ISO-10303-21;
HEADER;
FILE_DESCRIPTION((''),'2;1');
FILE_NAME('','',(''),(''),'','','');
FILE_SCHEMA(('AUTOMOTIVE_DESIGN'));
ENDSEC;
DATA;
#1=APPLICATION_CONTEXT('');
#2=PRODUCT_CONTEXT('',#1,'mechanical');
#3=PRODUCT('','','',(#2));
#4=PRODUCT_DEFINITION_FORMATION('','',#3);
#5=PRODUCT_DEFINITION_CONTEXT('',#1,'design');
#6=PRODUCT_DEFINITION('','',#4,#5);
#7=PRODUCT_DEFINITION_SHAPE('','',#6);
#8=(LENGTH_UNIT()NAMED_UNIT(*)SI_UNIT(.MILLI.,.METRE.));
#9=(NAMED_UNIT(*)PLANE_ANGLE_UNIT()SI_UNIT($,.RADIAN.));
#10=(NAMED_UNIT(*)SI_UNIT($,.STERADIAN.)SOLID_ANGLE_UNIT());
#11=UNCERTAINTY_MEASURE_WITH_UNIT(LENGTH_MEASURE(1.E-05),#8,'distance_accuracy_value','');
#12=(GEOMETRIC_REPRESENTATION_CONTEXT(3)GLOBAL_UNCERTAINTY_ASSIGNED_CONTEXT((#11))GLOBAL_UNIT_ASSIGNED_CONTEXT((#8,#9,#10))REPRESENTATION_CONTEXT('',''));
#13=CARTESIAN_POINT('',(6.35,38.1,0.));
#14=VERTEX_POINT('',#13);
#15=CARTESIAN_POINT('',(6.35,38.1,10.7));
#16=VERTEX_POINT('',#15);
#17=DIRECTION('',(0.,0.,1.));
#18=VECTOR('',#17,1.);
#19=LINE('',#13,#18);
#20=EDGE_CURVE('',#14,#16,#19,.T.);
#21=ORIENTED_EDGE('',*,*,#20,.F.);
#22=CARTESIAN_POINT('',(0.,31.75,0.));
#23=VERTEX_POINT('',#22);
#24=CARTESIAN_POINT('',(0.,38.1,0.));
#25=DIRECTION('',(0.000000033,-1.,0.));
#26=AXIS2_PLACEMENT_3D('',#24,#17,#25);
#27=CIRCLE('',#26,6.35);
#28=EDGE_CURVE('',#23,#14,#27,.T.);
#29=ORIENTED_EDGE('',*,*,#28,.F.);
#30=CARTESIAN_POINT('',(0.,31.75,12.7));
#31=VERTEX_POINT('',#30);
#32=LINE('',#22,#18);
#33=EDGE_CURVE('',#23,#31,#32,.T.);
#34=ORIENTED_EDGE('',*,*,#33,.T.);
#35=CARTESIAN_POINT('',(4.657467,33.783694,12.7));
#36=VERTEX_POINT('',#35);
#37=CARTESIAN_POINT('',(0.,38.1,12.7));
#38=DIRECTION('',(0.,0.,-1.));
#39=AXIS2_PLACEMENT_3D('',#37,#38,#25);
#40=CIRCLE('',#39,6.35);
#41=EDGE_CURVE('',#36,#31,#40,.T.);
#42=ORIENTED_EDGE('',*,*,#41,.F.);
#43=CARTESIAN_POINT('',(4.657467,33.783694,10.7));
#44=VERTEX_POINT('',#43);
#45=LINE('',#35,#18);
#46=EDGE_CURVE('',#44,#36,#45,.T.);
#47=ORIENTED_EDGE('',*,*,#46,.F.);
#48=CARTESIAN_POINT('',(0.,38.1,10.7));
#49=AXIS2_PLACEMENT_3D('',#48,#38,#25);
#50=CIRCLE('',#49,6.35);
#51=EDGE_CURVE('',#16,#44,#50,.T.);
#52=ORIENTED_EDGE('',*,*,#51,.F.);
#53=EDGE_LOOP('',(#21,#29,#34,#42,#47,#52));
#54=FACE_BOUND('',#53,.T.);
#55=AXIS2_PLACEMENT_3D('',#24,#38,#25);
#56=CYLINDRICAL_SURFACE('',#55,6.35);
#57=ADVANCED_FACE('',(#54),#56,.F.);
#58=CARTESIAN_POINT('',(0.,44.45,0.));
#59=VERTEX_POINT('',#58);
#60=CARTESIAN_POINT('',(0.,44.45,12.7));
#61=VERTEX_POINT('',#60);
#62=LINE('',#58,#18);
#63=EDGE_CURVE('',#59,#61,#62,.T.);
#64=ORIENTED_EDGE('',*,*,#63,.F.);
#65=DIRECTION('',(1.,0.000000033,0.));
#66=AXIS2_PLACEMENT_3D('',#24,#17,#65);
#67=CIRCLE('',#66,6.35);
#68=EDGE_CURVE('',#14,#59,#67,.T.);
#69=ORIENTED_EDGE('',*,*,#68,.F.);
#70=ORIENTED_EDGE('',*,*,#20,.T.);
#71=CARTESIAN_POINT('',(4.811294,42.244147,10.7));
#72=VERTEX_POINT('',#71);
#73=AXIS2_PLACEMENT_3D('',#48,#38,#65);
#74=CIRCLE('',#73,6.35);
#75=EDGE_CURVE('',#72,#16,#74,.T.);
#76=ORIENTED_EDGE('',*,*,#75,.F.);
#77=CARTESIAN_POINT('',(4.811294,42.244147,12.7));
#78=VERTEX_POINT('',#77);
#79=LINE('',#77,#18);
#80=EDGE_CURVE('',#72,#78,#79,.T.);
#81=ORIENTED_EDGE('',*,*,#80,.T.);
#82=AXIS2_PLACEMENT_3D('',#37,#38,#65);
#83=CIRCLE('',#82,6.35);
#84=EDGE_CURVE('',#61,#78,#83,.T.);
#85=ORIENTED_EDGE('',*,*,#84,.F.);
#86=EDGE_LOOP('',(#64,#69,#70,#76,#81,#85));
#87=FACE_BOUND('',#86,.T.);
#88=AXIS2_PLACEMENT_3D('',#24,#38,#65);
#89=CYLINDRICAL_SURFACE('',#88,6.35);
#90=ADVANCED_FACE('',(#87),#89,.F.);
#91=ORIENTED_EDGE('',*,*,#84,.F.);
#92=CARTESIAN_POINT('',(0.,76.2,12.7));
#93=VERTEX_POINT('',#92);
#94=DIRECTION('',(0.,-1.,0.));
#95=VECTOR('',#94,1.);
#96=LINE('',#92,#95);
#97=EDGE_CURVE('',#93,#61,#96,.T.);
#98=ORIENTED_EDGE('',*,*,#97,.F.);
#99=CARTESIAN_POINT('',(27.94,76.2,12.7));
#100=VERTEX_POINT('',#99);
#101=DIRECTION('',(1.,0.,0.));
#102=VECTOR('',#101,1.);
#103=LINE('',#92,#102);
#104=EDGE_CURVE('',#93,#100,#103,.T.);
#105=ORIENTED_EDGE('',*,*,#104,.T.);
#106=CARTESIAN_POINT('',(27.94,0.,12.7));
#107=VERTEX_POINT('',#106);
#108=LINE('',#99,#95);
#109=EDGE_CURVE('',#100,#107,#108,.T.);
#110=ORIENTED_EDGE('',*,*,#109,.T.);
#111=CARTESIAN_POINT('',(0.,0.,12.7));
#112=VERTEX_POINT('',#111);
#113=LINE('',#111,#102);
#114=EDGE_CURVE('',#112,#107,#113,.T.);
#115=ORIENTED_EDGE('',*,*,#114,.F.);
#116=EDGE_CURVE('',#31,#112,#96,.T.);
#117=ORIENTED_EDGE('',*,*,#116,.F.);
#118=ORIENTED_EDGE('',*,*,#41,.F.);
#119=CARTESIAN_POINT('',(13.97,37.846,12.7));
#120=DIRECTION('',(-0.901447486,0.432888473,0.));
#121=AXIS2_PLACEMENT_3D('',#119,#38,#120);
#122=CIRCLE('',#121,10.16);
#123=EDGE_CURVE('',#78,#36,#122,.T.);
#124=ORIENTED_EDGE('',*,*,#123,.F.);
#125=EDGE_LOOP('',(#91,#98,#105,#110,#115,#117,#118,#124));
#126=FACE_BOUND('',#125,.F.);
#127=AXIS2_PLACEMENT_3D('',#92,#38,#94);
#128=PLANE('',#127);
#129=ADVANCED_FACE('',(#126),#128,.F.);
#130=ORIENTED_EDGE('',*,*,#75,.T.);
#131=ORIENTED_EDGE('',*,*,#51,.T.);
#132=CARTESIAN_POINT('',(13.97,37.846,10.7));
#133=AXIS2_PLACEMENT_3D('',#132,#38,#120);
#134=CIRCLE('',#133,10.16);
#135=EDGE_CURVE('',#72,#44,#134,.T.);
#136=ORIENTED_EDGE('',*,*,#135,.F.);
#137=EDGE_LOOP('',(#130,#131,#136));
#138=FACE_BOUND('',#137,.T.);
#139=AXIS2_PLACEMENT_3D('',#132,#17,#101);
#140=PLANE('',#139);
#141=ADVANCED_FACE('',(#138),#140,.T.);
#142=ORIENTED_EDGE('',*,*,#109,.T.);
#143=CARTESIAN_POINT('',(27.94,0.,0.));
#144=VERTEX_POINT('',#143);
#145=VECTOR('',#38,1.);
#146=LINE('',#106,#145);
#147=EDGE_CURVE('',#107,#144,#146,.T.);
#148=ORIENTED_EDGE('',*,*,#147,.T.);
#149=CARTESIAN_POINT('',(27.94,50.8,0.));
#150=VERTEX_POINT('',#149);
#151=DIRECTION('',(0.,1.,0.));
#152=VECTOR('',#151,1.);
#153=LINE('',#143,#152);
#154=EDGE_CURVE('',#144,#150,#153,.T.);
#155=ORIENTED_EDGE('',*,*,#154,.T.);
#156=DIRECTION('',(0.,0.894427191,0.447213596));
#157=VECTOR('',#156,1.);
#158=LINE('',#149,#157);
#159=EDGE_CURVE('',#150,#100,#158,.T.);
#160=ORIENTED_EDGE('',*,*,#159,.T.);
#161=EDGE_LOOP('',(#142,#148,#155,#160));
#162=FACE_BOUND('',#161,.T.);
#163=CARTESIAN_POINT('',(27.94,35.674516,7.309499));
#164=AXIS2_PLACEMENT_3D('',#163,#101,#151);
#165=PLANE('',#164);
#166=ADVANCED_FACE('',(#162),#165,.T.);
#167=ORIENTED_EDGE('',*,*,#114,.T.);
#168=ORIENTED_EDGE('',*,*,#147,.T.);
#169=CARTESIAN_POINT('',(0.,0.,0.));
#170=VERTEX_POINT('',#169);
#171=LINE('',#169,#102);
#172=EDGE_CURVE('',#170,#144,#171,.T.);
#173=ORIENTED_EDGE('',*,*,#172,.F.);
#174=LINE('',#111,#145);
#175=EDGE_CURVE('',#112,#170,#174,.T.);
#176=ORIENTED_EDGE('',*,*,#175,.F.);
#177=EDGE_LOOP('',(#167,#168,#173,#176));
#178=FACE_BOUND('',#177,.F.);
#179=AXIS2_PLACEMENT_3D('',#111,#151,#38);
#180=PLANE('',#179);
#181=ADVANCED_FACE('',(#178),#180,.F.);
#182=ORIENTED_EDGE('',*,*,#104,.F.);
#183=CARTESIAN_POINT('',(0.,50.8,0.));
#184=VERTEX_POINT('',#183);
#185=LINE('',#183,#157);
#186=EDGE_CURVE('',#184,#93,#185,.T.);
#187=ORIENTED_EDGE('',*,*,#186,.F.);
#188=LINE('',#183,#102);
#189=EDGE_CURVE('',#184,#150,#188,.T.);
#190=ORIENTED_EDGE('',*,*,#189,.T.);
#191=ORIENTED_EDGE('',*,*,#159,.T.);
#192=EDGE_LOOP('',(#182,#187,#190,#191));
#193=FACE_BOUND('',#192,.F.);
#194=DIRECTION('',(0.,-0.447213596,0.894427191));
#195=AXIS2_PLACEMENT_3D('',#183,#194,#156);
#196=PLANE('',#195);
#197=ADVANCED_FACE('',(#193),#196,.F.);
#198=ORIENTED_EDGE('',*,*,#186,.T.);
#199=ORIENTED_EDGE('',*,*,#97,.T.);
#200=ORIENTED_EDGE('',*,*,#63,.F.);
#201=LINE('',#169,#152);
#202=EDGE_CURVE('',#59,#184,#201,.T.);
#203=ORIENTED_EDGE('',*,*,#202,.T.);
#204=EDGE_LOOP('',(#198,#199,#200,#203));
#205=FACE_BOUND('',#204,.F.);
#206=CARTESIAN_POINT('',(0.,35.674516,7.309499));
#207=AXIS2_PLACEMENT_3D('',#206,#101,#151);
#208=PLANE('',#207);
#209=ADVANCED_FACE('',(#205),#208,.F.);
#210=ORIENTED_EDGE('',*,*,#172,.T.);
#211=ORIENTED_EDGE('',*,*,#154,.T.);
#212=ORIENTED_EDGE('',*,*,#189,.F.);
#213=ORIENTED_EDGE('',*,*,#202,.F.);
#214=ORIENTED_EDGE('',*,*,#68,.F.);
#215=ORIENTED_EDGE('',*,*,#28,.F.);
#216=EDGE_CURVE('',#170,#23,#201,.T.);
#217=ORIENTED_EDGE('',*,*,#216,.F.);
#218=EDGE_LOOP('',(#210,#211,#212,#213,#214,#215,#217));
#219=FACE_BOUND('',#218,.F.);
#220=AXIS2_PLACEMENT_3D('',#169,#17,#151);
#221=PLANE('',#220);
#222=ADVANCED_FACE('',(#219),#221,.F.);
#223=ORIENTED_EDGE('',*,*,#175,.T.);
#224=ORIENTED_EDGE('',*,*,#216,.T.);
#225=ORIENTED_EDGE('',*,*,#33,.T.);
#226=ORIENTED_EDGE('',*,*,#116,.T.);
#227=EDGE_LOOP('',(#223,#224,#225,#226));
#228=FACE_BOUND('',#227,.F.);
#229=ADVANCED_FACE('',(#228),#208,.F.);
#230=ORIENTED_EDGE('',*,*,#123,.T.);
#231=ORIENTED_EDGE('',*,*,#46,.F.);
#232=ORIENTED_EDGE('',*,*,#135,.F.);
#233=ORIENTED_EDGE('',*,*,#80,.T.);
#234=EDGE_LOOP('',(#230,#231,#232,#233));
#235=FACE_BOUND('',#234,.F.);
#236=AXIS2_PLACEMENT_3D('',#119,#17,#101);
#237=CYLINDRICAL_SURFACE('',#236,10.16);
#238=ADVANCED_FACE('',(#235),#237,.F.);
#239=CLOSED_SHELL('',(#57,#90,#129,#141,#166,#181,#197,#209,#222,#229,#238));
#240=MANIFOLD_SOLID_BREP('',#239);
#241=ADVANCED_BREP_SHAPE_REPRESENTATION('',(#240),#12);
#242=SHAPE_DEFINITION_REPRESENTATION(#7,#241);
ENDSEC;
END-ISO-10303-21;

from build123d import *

# Parameters (mm, degrees)
F1_DEPTH = 27.94
F2_R     = 10.16
F3_DEPTH = 2
F5_DEPTH = 25.4


with BuildPart() as f1:
    # F0 (on Right) → F1 (new body)
    with BuildSketch(Plane.YZ):
        Polygon((0, 12.7), (0, 0), (50.8, 0), (76.2, 12.7), align=None)
    extrude(amount=F1_DEPTH)

    # F2 (on face) → F3 (cut)
    with BuildSketch(Plane.XY.offset(12.7)):
        with Locations((13.97, 37.846)):
            Circle(F2_R)
    extrude(amount=-F3_DEPTH, mode=Mode.SUBTRACT)

    # F4 (on Top) → F5 (cut)
    with BuildSketch(Plane.XY):
        with BuildLine():
            ThreePointArc((0, 44.45), (-6.35, 38.1), (0, 31.75))
            Line((0, 31.75), (0, 38.1))
            Line((0, 38.1), (0, 44.45))
        make_face()
        with BuildLine():
            Line((0, 38.1), (0, 31.75))
            ThreePointArc((0, 31.75), (4.490128, 33.609872), (6.35, 38.1))
            Line((6.35, 38.1), (0, 38.1))
        make_face()
        with BuildLine():
            Line((0, 44.45), (0, 38.1))
            Line((0, 38.1), (6.35, 38.1))
            ThreePointArc((6.35, 38.1), (4.490128, 42.590128), (0, 44.45))
        make_face()
    extrude(amount=F5_DEPTH, mode=Mode.SUBTRACT)


solid = f1.part
